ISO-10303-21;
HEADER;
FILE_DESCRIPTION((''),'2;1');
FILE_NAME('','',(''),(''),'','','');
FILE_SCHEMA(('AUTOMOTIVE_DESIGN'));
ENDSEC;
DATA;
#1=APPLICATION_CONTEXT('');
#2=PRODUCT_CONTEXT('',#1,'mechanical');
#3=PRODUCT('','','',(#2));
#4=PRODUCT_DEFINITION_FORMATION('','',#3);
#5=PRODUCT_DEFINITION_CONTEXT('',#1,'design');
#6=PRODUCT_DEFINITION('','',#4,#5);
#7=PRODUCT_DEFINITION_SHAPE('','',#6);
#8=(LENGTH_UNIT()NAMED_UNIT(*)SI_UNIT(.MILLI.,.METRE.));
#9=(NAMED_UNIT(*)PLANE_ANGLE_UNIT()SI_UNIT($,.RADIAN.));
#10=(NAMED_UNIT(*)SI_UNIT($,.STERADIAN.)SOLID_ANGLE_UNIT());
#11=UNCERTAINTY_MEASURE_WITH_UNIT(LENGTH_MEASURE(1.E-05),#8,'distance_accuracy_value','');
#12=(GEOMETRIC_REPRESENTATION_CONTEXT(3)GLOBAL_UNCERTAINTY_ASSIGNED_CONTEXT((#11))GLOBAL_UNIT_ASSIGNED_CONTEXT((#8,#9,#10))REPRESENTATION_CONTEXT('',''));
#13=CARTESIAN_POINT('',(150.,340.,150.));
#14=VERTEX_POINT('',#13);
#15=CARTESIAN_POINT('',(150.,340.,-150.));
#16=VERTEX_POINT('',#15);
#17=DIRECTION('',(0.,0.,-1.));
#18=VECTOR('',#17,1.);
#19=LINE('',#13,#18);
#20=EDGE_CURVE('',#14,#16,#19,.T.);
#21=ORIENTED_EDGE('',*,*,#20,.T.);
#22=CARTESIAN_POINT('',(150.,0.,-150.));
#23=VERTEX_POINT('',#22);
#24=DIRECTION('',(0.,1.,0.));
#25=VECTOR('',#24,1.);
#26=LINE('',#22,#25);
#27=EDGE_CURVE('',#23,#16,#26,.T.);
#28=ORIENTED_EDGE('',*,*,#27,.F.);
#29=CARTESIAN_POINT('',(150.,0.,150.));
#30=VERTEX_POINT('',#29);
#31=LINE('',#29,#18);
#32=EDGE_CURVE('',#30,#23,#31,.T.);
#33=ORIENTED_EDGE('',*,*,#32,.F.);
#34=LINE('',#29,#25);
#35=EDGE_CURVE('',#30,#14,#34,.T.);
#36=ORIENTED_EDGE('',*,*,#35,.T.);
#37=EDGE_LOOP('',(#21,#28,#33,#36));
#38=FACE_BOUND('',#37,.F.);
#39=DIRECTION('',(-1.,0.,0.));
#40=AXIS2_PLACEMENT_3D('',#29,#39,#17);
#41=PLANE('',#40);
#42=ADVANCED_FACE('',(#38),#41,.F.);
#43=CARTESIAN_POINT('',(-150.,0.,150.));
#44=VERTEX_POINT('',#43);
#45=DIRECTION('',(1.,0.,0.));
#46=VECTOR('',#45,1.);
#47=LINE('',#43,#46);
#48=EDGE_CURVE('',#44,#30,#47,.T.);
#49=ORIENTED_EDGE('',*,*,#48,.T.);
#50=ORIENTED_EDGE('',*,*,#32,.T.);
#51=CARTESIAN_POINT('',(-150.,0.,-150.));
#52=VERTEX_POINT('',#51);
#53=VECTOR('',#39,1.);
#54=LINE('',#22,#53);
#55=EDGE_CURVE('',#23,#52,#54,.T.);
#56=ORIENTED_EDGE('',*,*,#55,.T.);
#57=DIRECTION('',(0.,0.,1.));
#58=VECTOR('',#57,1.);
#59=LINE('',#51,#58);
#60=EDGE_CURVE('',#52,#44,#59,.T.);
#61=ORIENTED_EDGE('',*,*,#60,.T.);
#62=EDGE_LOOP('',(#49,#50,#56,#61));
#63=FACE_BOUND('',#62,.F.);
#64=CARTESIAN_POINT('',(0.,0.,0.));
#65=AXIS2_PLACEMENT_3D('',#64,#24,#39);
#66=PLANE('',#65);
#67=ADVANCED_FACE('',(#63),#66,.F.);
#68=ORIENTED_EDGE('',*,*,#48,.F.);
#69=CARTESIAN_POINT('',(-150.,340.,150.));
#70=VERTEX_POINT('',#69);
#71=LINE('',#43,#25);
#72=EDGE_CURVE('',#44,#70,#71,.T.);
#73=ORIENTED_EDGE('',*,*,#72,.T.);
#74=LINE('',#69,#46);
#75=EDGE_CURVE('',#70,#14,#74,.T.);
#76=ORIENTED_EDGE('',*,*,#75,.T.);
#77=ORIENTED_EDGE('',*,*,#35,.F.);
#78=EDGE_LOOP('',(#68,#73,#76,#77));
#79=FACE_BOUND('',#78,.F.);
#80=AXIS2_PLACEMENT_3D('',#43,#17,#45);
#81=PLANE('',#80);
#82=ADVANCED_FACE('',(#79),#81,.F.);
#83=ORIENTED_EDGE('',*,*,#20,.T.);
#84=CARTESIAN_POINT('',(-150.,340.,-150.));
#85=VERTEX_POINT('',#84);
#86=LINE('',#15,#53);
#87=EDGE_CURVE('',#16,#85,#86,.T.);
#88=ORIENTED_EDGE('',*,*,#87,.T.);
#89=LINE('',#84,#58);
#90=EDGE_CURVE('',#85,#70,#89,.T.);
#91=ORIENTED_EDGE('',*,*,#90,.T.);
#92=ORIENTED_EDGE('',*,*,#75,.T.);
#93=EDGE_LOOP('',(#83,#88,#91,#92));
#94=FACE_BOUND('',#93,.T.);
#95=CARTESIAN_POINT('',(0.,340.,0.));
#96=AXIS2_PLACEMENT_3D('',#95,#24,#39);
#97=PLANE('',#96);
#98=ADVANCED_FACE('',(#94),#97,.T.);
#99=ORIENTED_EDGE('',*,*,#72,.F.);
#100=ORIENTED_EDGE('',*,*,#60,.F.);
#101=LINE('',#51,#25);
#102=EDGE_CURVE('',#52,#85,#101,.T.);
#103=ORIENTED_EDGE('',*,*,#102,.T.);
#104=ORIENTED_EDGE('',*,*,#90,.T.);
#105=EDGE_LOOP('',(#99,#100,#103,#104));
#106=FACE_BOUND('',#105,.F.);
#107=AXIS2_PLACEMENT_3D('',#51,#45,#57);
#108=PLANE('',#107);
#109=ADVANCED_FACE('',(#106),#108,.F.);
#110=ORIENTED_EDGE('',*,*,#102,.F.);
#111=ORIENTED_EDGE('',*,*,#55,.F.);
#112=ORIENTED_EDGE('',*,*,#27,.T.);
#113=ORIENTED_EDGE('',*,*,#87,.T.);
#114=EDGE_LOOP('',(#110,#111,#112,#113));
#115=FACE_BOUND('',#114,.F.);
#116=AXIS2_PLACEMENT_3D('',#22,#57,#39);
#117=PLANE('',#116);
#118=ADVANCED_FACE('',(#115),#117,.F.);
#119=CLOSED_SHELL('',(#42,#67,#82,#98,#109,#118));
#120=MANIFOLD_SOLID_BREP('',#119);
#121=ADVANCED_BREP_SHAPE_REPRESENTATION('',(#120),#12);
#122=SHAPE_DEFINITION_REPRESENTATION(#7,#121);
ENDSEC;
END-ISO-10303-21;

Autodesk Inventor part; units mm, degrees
ref_plane "YZ Plane" through (0, 0, 0) normal (1, 0, 0) x (0, 1, 0)
ref_plane "XZ Plane" through (0, 0, 0) normal (0, 1, 0) x (-1, 0, 0)
ref_plane "XY Plane" through (0, 0, 0) normal (0, 0, 1) x (1, 0, 0)
sketch "Sketch1" plane through (0, 0, 0) normal (0, 1, 0) x (-1, 0, 0)
  line L0 (-150, 150) -> (-150, -150)
  line L1 (-150, -150) -> (150, -150)
  line L2 (150, -150) -> (150, 150)
  line L3 (150, 150) -> (-150, 150)
  line L4 (-150, 150) -> (150, -150) construction
  line L5 (-150, -150) -> (150, 150) construction
  point P0 (0, 0)
  dimension "d0" = 300
  dimension "d1" = 300
extrude "Extrusion1" add sketch "Sketch1" along normal blind 340
properties part number "printVolume" material "Polycarbonate, Smoke"
